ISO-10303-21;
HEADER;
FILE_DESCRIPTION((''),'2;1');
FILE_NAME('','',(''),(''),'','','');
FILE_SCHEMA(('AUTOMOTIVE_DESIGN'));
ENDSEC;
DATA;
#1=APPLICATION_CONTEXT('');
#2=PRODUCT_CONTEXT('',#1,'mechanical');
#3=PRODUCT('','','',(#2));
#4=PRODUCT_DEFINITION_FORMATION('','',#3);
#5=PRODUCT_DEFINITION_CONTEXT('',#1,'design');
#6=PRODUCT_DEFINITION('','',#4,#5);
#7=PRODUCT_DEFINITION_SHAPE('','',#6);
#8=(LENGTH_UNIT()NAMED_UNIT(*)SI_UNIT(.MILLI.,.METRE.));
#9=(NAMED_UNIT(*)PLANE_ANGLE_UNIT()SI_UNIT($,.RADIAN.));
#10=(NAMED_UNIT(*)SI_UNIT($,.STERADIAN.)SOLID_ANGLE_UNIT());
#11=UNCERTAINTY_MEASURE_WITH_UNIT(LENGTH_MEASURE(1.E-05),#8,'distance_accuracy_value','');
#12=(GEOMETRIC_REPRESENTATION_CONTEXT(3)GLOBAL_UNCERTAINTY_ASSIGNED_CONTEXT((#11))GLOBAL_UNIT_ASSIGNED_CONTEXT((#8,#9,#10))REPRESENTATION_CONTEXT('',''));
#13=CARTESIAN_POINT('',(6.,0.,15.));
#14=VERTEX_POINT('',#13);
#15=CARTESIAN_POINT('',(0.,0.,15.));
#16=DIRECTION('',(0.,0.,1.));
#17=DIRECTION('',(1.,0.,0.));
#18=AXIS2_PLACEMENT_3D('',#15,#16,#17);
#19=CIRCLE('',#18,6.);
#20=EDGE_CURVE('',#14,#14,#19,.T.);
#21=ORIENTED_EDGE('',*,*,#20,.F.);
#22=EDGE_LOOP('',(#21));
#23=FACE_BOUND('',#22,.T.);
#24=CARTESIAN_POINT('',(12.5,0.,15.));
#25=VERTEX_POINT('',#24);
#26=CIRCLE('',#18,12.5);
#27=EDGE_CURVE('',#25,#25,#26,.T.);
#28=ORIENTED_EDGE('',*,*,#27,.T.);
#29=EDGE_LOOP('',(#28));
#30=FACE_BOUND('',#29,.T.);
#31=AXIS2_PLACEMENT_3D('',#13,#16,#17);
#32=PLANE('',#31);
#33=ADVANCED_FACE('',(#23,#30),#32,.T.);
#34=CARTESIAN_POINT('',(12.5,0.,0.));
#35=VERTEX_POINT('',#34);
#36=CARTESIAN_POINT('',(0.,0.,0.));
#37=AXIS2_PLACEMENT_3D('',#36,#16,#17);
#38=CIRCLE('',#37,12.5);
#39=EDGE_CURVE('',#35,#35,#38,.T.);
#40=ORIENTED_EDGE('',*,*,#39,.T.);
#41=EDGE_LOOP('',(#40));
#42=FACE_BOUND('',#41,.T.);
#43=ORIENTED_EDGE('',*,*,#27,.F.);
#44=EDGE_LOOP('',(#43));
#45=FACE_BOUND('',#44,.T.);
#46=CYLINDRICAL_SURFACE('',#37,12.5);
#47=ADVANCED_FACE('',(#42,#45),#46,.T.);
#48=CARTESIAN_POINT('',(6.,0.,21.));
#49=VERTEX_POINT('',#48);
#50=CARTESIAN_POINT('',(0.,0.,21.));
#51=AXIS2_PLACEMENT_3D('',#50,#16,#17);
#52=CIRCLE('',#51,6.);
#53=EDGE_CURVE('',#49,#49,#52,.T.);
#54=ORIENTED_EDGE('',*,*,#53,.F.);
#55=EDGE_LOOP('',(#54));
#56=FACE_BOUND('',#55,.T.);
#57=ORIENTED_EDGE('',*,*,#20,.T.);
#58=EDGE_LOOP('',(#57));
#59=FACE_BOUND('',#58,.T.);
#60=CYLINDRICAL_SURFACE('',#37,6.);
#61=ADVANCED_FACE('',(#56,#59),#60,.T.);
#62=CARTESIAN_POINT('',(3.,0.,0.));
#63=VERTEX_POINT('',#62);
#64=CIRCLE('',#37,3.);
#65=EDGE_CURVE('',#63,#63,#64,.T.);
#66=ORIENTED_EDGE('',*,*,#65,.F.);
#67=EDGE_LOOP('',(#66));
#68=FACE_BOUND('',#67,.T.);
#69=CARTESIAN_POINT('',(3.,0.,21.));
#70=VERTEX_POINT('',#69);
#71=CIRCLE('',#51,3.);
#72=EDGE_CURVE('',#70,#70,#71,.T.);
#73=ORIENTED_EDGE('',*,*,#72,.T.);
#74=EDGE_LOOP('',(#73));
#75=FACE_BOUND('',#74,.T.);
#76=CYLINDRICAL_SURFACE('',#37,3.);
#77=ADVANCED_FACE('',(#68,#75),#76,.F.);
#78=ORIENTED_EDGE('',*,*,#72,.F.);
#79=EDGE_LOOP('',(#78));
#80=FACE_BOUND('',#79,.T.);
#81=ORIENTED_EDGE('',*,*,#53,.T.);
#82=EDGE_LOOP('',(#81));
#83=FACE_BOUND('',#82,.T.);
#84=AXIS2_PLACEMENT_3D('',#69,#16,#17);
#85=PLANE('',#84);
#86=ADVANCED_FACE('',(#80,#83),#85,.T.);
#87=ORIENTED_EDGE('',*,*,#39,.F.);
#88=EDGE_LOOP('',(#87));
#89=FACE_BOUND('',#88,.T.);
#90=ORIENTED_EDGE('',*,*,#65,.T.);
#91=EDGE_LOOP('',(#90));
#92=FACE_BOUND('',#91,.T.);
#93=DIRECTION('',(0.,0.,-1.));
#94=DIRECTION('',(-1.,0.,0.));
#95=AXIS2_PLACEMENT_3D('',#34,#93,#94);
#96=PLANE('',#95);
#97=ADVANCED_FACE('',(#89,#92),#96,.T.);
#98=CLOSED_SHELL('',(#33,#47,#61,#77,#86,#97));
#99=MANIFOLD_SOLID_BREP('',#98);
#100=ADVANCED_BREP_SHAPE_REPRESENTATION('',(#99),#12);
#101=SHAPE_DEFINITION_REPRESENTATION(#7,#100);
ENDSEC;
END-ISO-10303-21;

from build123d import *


with BuildPart() as part:
    # Эскиз1 → Повернуть1 (revolve)
    with BuildSketch(Plane(origin=(0, 0, 0), x_dir=(1, 0, 0), z_dir=(0, 1, 0))):
        Polygon((3, 0), (3, -21), (6, -21), (6, -15), (12.5, -15), (12.5, 0), align=None)
    revolve(axis=Axis((0, 0, 0), (0, 0, 1)))


solid = part.part
